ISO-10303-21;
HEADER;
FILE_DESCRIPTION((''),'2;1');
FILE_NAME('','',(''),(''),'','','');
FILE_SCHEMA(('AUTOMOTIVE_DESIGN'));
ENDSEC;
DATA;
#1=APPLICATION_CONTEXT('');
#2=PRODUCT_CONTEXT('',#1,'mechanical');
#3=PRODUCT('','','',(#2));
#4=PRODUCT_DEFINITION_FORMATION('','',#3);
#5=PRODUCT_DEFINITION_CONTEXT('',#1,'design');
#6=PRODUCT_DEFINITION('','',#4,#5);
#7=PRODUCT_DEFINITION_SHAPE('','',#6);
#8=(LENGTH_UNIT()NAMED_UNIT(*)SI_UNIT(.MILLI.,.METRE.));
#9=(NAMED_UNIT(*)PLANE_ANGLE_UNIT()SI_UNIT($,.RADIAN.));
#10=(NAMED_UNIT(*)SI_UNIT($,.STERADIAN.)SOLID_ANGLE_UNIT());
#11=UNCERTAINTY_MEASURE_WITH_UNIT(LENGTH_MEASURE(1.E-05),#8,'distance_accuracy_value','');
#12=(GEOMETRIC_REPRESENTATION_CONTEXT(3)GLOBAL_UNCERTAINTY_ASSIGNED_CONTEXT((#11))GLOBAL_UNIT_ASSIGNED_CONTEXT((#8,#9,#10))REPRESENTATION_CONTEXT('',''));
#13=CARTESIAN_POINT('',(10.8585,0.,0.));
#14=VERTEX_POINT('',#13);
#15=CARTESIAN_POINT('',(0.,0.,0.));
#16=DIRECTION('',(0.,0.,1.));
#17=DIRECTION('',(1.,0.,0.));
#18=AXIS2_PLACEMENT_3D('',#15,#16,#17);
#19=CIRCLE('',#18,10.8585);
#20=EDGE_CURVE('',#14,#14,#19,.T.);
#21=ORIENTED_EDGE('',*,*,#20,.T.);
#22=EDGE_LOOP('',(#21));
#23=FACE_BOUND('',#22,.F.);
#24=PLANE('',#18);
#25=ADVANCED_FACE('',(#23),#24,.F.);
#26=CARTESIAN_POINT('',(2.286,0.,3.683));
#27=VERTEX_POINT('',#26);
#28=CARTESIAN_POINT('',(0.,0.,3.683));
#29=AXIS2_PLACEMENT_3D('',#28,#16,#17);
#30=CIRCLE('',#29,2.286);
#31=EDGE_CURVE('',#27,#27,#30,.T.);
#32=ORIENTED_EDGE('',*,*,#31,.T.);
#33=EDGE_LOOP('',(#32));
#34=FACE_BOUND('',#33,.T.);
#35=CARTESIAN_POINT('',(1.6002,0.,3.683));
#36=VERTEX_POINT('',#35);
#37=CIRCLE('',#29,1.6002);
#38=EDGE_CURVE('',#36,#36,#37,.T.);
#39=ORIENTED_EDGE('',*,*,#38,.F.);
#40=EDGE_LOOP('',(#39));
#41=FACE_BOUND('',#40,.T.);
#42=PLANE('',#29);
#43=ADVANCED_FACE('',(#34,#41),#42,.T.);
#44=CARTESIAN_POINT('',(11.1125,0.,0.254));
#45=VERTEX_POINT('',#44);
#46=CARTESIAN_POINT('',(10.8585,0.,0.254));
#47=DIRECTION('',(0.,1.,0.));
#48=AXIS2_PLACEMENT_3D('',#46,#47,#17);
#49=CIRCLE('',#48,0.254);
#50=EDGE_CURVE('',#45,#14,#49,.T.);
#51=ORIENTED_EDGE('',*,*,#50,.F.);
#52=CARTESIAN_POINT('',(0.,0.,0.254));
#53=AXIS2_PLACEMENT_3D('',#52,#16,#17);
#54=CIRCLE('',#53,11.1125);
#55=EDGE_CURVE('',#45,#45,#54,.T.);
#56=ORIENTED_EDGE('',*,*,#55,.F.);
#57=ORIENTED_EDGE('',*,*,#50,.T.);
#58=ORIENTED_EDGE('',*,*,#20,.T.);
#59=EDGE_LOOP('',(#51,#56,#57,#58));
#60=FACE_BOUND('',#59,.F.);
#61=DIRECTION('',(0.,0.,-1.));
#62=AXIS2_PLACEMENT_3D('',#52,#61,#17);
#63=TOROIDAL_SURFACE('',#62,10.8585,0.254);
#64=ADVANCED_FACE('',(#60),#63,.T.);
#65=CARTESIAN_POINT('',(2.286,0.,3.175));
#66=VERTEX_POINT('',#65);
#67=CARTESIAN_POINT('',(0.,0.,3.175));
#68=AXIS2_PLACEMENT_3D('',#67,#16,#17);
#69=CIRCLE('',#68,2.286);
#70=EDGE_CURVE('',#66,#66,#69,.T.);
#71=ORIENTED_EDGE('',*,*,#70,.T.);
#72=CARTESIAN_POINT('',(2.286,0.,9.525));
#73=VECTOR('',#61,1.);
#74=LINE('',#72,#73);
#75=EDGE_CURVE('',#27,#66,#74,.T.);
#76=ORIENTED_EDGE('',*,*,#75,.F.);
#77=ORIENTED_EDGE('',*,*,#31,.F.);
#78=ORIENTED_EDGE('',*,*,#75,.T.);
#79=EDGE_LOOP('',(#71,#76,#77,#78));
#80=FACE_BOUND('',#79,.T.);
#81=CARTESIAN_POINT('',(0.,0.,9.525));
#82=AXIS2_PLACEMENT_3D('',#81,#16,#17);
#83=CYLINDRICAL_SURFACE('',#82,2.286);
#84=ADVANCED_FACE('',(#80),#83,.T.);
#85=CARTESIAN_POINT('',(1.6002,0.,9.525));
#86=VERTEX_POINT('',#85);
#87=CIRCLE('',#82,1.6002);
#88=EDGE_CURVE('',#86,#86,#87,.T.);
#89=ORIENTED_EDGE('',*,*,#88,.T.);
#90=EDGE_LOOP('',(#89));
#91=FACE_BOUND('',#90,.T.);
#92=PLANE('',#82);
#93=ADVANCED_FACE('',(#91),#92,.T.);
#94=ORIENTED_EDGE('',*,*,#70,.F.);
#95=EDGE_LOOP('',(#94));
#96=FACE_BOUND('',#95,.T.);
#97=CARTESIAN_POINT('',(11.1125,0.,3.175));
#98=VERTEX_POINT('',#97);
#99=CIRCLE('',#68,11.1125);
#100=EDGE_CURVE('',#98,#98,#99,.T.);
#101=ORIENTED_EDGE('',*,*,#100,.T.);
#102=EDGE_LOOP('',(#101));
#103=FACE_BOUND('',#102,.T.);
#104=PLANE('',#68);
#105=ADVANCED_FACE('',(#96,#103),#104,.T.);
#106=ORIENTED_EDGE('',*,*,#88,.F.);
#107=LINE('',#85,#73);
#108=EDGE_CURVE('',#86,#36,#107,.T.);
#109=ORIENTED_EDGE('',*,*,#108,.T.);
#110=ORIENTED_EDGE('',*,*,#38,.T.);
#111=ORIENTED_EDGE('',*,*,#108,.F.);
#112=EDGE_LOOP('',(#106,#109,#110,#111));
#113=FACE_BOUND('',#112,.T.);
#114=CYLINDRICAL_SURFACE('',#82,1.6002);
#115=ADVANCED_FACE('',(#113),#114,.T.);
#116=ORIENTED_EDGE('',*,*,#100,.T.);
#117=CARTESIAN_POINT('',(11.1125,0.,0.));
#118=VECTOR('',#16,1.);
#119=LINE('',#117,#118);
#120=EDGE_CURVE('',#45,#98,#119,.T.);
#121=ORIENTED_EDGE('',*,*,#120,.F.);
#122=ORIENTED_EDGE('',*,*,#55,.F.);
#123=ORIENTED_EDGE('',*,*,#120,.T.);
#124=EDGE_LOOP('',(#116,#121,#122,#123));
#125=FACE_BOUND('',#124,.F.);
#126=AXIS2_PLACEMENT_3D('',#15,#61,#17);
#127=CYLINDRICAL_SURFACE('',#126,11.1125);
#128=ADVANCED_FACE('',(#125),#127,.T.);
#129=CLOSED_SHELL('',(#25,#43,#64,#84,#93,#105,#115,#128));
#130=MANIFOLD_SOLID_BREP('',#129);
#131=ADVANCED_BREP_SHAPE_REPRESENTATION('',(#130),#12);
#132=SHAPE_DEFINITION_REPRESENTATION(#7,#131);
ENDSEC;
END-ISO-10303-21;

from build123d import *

# Parameters (mm, degrees)
F0_R     = 1.6002
F1_DEPTH = 9.525
F0_R_2   = 11.1125
F2_DEPTH = 3.175
F3_R     = 0.254
F4_R     = 2.286
F4_R_2   = 1.6002
F5_DEPTH = 6.35
F6_R     = 2.286
F6_R_2   = 1.6002
F7_DEPTH = 5.842


with BuildPart() as f1:
    # F0 (on Top) → F1 (new body)
    with BuildSketch(Plane.XY):
        Circle(F0_R)
    extrude(amount=F1_DEPTH)

    # F0 (on Top) → F2 (join)
    with BuildSketch(Plane.XY):
        Circle(F0_R_2)
        Circle(F0_R, mode=Mode.SUBTRACT)
    extrude(amount=F2_DEPTH)

    # F3
    f3_edges = [f1.edges().sort_by_distance(p)[0] for p in [
        (-11.1125, 0, 0),
    ]]
    fillet(f3_edges, radius=F3_R)

    # F4 (on face) → F5 (join)
    with BuildSketch(Plane.XY.offset(9.525)):
        Circle(F4_R)
        Circle(F4_R_2, mode=Mode.SUBTRACT)
    extrude(amount=-F5_DEPTH)

    # F6 (on face) → F7 (cut)
    with BuildSketch(Plane.XY.offset(9.525)):
        Circle(F6_R)
        Circle(F6_R_2, mode=Mode.SUBTRACT)
    extrude(amount=-F7_DEPTH, mode=Mode.SUBTRACT)


solid = f1.part
